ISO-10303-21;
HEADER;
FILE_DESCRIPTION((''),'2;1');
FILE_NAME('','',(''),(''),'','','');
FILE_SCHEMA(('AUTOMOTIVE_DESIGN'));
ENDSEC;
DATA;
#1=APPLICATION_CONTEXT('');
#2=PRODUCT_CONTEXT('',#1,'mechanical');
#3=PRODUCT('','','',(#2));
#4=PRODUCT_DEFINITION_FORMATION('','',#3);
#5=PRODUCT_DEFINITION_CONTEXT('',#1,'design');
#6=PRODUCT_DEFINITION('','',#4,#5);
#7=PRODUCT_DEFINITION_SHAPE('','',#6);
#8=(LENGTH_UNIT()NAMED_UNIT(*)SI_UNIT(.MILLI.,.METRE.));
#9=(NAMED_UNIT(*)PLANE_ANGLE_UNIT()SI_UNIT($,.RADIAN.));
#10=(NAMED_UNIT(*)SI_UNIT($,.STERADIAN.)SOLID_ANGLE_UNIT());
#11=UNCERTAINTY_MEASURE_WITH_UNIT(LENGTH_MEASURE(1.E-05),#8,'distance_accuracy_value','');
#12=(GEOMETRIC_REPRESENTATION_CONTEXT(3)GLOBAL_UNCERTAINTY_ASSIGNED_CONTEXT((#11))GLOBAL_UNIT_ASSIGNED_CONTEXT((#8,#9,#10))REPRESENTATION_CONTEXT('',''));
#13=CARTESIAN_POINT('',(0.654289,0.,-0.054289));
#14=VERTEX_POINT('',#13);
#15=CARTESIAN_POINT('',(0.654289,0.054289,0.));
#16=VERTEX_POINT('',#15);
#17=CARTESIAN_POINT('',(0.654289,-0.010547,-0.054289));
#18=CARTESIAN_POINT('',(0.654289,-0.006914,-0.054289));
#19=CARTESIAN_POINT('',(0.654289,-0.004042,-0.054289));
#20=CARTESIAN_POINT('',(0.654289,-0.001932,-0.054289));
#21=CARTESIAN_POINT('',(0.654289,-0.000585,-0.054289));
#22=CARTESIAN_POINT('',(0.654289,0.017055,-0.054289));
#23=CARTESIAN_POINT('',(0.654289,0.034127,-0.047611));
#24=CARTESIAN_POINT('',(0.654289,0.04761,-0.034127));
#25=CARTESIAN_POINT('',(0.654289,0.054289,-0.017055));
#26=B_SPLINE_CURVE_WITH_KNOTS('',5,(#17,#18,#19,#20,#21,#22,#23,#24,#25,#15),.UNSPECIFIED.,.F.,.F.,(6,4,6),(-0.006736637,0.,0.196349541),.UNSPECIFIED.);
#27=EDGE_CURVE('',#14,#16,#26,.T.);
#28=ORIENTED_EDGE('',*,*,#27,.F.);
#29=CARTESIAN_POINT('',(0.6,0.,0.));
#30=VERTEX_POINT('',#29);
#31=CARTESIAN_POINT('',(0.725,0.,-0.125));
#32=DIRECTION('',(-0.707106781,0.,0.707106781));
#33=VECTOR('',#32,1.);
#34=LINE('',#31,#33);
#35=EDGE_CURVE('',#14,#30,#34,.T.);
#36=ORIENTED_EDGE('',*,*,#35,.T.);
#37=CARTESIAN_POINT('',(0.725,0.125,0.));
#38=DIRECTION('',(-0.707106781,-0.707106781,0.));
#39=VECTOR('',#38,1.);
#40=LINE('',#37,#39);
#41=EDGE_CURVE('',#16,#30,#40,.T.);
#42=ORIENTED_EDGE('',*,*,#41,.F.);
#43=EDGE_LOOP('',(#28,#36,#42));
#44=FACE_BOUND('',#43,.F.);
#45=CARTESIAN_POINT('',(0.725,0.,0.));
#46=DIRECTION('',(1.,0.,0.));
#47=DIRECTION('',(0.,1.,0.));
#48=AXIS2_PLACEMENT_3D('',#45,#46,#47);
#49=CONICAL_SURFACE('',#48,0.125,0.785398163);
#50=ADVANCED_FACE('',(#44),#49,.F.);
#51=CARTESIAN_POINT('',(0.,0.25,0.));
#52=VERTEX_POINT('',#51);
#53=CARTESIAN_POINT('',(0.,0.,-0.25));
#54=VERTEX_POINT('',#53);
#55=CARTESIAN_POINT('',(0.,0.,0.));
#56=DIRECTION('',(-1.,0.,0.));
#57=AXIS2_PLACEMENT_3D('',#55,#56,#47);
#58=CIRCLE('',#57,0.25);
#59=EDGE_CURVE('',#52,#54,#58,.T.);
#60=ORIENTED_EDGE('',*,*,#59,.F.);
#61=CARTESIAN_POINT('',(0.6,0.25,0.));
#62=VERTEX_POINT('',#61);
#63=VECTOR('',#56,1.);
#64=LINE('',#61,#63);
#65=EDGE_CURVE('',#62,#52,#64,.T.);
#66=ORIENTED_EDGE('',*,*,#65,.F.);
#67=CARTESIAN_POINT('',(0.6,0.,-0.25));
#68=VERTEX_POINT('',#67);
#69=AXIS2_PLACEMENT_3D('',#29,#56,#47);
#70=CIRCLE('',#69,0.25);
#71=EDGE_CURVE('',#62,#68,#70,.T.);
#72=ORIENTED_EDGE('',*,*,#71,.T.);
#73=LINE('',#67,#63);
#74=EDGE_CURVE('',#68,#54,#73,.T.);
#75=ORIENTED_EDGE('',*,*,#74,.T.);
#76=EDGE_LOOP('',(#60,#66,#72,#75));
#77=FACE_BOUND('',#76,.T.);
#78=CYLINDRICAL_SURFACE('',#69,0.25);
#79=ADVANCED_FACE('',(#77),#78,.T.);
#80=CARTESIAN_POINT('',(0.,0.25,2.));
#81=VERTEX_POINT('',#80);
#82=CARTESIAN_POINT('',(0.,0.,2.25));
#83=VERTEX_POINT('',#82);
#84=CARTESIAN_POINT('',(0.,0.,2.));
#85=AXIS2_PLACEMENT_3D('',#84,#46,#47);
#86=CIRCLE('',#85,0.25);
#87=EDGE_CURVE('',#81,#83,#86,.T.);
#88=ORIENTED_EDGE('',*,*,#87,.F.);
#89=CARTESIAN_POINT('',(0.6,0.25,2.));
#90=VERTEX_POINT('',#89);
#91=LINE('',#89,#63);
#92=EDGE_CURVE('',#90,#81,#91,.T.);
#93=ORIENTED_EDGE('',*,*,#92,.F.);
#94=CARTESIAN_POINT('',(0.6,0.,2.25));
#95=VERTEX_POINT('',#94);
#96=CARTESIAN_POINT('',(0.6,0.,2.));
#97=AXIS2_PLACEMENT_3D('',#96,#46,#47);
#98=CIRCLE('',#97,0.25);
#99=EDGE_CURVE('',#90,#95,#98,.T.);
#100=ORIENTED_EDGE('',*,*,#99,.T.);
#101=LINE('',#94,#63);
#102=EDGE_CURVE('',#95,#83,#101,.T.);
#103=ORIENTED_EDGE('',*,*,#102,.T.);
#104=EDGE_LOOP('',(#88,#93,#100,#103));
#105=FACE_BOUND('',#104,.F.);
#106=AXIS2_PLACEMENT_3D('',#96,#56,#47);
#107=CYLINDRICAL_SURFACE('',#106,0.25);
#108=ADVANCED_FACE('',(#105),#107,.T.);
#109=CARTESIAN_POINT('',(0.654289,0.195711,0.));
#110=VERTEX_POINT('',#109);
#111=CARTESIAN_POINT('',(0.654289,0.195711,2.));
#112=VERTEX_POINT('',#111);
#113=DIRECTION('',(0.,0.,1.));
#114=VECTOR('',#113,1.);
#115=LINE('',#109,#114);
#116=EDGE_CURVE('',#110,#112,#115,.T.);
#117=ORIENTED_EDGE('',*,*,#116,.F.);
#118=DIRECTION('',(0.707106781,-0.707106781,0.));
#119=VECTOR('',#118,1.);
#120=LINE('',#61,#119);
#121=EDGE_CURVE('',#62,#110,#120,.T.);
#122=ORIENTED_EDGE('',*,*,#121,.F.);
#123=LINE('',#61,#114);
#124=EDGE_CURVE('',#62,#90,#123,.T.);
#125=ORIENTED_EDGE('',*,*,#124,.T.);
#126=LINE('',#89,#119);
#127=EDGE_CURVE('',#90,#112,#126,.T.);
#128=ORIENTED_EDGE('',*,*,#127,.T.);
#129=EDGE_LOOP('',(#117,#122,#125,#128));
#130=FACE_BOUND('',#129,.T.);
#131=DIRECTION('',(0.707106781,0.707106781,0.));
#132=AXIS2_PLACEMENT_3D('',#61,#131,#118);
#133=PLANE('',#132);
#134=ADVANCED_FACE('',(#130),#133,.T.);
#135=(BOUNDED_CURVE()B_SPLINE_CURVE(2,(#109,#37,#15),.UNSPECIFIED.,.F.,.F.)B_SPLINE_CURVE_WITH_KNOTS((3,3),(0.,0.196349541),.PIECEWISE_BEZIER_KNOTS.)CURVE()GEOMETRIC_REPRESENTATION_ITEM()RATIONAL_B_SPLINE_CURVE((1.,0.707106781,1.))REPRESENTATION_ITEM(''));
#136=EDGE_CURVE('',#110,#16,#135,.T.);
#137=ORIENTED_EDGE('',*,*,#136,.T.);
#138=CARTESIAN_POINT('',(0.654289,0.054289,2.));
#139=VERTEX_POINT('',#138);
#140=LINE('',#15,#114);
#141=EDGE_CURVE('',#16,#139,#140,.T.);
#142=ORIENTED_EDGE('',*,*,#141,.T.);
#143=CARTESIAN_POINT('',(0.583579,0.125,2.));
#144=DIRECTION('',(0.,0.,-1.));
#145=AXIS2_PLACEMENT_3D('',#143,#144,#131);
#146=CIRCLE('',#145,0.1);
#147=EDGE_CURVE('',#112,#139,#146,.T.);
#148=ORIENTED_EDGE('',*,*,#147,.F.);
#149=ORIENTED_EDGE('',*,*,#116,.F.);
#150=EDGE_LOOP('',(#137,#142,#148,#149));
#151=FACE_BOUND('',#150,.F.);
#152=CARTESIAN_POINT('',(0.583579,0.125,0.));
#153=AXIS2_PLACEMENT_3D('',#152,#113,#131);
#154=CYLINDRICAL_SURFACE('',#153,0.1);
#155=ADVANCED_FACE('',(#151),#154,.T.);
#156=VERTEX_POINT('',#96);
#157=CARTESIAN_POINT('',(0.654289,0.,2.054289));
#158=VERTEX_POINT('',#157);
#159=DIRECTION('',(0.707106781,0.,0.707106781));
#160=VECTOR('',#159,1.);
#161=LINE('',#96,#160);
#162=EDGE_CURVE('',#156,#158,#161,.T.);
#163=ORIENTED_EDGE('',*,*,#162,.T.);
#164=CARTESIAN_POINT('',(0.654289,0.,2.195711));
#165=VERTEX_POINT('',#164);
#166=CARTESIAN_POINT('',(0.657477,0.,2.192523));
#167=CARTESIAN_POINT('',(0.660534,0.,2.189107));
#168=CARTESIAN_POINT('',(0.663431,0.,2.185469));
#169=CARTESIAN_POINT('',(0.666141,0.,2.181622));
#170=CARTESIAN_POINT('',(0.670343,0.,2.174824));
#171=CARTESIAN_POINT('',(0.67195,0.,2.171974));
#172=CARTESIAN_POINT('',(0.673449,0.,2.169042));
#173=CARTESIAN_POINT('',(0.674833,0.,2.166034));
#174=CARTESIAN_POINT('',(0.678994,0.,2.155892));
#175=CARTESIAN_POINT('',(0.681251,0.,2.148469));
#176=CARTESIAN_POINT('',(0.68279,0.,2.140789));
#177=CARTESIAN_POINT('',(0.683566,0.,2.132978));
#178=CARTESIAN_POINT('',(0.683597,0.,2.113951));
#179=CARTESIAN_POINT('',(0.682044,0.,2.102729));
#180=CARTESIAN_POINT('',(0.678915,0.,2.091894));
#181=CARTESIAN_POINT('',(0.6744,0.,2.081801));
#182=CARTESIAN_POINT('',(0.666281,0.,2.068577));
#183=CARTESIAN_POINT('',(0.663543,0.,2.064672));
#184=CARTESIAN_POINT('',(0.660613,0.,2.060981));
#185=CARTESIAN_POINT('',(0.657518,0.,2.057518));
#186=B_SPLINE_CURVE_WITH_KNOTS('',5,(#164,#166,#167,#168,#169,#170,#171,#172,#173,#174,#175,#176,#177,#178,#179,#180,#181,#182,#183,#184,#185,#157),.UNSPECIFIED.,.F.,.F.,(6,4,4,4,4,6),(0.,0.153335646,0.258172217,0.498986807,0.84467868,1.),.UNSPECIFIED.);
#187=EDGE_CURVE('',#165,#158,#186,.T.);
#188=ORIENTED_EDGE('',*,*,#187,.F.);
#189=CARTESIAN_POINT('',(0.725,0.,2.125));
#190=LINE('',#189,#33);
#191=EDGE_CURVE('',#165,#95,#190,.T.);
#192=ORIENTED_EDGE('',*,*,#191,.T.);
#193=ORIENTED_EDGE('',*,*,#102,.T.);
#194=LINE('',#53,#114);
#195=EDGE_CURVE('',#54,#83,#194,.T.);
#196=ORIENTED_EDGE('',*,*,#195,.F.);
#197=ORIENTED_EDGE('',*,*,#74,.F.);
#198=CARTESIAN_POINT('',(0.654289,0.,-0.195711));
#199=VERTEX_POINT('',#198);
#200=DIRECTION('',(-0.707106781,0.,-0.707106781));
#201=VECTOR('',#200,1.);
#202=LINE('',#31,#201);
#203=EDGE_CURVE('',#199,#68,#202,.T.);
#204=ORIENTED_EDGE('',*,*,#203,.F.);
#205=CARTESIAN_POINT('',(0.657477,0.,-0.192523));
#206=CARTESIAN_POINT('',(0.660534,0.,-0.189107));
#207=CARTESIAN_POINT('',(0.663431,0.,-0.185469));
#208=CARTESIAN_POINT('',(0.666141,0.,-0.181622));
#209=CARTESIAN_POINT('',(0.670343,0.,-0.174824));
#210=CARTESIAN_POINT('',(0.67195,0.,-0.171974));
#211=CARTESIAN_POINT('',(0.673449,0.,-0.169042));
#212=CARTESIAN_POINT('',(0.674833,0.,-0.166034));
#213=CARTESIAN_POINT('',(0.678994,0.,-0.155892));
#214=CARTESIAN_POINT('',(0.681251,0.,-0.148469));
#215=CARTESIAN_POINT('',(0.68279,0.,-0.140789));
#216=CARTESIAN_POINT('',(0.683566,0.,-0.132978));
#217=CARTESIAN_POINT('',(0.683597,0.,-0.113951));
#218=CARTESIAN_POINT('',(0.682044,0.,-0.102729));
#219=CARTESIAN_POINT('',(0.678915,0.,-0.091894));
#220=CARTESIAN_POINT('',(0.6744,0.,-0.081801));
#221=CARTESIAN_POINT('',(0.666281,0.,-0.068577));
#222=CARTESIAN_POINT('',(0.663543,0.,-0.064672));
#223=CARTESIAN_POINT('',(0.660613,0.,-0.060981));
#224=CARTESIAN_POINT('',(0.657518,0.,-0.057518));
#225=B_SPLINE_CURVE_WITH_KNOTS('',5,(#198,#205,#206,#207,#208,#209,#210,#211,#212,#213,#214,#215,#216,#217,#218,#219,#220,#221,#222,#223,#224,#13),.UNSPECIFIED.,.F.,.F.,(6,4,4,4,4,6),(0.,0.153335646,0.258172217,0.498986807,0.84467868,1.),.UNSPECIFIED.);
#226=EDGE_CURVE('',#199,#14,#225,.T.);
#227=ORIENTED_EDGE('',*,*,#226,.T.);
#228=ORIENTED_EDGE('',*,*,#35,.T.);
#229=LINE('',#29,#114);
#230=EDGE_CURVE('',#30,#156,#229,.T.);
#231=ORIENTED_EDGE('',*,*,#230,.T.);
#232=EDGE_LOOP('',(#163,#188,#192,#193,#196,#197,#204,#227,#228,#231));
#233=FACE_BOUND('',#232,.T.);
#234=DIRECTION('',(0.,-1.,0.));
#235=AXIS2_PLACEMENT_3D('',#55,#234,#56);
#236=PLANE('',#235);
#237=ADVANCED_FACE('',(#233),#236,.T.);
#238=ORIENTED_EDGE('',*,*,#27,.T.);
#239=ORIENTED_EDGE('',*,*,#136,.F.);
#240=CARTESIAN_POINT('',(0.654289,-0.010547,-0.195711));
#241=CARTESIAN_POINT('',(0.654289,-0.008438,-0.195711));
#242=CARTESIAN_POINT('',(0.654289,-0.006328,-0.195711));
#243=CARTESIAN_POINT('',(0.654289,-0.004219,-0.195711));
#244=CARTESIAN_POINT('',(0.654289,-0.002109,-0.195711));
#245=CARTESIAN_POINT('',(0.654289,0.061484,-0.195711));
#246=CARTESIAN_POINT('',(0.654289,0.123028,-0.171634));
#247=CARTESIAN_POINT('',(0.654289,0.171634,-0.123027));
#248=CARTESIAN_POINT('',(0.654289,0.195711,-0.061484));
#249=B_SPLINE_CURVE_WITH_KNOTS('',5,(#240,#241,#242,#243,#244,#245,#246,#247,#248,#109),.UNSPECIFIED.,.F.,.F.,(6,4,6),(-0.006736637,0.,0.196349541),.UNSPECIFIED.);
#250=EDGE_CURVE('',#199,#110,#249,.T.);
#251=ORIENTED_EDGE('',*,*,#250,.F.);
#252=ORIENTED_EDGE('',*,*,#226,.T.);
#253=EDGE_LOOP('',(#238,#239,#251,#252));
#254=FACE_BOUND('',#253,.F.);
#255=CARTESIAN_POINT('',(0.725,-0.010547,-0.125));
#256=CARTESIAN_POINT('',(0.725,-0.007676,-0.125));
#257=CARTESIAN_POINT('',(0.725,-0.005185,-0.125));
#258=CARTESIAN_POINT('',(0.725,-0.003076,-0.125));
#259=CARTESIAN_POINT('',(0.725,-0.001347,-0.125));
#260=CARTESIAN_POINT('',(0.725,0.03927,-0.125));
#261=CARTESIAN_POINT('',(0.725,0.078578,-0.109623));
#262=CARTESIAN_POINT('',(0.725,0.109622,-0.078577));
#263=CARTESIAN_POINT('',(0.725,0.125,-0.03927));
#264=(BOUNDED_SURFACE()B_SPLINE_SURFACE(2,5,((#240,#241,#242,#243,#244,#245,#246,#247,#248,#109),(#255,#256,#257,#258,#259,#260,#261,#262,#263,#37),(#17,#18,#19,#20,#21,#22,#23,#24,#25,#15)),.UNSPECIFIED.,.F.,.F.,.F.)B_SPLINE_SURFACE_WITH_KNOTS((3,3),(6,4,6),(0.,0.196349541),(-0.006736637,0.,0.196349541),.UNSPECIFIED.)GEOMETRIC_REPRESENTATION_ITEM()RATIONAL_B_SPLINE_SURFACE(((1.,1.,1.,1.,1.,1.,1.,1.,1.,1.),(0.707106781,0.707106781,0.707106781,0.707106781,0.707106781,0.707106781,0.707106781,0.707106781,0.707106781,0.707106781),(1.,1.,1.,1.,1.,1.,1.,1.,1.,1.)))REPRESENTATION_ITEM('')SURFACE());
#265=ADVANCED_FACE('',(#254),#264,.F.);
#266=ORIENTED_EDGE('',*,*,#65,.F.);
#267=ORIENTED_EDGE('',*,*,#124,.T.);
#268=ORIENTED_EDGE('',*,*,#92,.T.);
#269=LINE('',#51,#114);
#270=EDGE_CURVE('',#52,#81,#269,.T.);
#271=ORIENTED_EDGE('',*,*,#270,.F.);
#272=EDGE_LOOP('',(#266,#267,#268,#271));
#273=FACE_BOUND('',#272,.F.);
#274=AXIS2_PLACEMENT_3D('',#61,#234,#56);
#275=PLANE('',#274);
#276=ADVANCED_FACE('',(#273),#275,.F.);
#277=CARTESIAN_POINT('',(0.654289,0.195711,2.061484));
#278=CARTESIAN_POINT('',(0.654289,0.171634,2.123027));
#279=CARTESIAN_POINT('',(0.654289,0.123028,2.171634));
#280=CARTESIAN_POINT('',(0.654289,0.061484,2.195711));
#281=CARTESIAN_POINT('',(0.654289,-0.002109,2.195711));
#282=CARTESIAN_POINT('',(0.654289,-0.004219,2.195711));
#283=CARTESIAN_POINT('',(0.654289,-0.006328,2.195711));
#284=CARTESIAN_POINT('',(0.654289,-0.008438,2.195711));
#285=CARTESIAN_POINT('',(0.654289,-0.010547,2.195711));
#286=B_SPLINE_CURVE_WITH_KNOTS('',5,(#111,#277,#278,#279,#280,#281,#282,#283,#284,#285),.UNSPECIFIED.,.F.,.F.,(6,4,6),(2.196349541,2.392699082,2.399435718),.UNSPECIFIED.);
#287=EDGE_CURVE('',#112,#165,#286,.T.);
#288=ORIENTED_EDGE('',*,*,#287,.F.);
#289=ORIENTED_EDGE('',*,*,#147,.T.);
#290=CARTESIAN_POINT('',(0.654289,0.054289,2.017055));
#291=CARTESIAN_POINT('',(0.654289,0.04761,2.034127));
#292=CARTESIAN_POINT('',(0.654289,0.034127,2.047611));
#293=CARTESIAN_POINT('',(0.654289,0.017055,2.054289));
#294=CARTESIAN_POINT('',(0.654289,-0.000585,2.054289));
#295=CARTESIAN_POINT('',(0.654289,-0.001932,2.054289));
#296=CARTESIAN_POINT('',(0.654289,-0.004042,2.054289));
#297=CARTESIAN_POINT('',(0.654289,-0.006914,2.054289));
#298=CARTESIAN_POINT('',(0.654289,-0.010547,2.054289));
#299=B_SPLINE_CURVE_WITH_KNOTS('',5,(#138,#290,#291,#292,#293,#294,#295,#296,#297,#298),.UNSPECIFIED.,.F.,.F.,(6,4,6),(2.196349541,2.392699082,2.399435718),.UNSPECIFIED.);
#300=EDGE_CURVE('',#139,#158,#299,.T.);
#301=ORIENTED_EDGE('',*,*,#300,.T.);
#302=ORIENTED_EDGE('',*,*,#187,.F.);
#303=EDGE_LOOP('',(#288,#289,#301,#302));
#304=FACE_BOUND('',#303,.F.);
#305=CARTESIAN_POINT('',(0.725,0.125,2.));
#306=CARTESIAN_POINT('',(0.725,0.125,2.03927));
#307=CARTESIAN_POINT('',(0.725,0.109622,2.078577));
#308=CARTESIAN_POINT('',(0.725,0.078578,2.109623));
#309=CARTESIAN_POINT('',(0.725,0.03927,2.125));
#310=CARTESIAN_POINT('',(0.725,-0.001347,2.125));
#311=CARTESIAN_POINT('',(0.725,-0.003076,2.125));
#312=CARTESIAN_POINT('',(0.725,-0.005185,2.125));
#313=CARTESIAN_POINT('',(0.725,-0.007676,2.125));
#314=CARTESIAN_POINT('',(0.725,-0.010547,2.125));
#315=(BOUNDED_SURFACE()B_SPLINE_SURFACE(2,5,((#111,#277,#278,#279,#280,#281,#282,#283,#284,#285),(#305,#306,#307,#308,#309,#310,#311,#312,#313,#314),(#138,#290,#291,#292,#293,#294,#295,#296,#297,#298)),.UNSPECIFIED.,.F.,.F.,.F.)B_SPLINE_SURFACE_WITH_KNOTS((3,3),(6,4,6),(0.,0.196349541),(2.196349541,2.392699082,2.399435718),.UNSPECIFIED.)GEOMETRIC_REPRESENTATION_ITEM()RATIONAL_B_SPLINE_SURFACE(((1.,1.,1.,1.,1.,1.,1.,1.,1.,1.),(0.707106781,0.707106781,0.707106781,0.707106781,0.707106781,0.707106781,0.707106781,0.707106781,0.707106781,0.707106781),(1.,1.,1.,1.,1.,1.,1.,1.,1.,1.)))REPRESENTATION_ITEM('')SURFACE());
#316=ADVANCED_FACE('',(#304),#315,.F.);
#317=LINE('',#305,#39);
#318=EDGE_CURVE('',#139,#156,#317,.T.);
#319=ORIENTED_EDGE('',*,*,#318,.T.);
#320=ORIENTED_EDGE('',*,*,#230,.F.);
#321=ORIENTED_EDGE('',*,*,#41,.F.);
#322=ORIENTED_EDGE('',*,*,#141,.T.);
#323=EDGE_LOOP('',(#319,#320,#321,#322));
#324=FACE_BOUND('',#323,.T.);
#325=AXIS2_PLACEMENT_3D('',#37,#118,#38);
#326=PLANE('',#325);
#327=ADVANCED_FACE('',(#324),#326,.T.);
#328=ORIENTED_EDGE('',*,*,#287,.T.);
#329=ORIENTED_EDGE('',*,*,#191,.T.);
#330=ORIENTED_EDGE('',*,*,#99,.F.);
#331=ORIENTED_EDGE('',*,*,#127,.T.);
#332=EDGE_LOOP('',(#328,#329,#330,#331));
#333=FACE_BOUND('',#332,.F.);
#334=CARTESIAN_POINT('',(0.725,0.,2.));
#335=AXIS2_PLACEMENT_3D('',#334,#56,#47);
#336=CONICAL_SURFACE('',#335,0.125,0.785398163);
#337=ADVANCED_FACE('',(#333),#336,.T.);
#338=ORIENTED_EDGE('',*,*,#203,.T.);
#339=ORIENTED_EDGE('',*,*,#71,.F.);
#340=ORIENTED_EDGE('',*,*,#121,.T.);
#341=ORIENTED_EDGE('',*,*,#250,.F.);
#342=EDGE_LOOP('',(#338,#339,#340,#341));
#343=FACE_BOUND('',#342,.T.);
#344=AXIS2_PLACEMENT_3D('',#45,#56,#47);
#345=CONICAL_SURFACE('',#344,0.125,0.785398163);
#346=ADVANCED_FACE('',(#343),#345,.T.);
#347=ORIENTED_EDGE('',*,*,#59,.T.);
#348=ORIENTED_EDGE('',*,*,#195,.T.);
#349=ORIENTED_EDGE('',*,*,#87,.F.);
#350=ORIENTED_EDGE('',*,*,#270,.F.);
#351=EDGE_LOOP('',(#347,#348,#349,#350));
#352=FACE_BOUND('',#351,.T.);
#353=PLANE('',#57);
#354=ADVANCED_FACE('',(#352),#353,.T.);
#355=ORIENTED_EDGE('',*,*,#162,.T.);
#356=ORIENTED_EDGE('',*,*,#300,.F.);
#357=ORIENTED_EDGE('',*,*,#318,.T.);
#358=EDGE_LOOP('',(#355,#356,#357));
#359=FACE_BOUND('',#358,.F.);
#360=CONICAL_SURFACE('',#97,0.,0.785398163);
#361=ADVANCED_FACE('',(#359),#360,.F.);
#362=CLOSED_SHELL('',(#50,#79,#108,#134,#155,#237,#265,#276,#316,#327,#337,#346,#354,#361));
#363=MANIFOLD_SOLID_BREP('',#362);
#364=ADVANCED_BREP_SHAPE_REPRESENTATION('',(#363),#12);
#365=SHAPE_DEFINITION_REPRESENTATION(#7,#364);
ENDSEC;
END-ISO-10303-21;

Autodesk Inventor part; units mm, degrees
ref_plane "YZ Plane" through (0, 0, 0) normal (1, 0, 0) x (0, 1, 0)
ref_plane "XZ Plane" through (0, 0, 0) normal (0, 1, 0) x (-1, 0, 0)
ref_plane "XY Plane" through (0, 0, 0) normal (0, 0, 1) x (1, 0, 0)
sketch "草圖1" plane through (0, 0, 0) normal (0, 0, 1) x (1, 0, 0)
  line L0 (0, 0) -> (0.6, 0)
  line L1 (0.6, 0) -> (0.6, 0.25)
  line L2 (0.6, 0.25) -> (0, 0.25)
  line L3 (0, 0.25) -> (0, 0)
  line L4 (0.6, 0.25) -> (0.725, 0.125)
  line L5 (0.725, 0.125) -> (0.6, 0)
  dimension "d0" = 0.6
  dimension "d1" = 0.25
  dimension "d2" = 45
extrude "擠出1" add sketch "草圖1" along normal blind 2
sketch "草圖2" plane through (0, 0, 2) normal (0, 0, 1) x (1, 0, 0)
  line L0 (0, 0.25) -> (0, 0) projected
  line L1 (0, 0.25) -> (0, 0)
  line L2 (0, 0.25) -> (0, 0) projected
  line L3 (0, 0) -> (0.6, 0) projected
  line L4 (0.6, 0) -> (0.725, 0.125) projected
  line L5 (0.725, 0.125) -> (0.6, 0.25) projected
  line L6 (0.6, 0.25) -> (0, 0.25) projected
  line L7 (0.6, 0.25) -> (0.725, 0.125)
  line L8 (0, 0) -> (0.6, 0) projected
  line L9 (0.6, 0) -> (0, 0)
  line L10 (0, 0) -> (0, 0.25)
  line L11 (0.6, 0.25) -> (0, 0.25)
revolve "迴轉1" add sketch "草圖2" angle 90 about axis through (0, 0, 2) along (1, 0, 0)
sketch "草圖3" plane through (0, 0, 0) normal (0, 0, -1) x (-1, 0, 0)
  line L0 (-0.6, 0.25) -> (0, 0.25) projected
  line L1 (-0.725, 0.125) -> (-0.6, 0.25) projected
  line L2 (-0.6, 0.25) -> (-0.725, 0.125)
  line L3 (-0.725, 0.125) -> (-0.6, 0)
  line L4 (0, 0) -> (-0.6, 0) projected
  line L5 (-0.6, 0) -> (0, 0)
  line L6 (0, 0.25) -> (0, 0) projected
  line L7 (0, 0) -> (0, 0.25)
  line L8 (0, 0.25) -> (-0.6, 0.25)
revolve "迴轉2" add sketch "草圖3" angle 90 about axis through (0, 0, 0) along (-1, 0, 0)
fillet "圓角1" radius 0.1 3 edges at (0.725, 0.0884, 2.0884) (0.725, 0.0884, -0.0884) (0.725, 0.125, 1)
properties part number "窗頂_2"
